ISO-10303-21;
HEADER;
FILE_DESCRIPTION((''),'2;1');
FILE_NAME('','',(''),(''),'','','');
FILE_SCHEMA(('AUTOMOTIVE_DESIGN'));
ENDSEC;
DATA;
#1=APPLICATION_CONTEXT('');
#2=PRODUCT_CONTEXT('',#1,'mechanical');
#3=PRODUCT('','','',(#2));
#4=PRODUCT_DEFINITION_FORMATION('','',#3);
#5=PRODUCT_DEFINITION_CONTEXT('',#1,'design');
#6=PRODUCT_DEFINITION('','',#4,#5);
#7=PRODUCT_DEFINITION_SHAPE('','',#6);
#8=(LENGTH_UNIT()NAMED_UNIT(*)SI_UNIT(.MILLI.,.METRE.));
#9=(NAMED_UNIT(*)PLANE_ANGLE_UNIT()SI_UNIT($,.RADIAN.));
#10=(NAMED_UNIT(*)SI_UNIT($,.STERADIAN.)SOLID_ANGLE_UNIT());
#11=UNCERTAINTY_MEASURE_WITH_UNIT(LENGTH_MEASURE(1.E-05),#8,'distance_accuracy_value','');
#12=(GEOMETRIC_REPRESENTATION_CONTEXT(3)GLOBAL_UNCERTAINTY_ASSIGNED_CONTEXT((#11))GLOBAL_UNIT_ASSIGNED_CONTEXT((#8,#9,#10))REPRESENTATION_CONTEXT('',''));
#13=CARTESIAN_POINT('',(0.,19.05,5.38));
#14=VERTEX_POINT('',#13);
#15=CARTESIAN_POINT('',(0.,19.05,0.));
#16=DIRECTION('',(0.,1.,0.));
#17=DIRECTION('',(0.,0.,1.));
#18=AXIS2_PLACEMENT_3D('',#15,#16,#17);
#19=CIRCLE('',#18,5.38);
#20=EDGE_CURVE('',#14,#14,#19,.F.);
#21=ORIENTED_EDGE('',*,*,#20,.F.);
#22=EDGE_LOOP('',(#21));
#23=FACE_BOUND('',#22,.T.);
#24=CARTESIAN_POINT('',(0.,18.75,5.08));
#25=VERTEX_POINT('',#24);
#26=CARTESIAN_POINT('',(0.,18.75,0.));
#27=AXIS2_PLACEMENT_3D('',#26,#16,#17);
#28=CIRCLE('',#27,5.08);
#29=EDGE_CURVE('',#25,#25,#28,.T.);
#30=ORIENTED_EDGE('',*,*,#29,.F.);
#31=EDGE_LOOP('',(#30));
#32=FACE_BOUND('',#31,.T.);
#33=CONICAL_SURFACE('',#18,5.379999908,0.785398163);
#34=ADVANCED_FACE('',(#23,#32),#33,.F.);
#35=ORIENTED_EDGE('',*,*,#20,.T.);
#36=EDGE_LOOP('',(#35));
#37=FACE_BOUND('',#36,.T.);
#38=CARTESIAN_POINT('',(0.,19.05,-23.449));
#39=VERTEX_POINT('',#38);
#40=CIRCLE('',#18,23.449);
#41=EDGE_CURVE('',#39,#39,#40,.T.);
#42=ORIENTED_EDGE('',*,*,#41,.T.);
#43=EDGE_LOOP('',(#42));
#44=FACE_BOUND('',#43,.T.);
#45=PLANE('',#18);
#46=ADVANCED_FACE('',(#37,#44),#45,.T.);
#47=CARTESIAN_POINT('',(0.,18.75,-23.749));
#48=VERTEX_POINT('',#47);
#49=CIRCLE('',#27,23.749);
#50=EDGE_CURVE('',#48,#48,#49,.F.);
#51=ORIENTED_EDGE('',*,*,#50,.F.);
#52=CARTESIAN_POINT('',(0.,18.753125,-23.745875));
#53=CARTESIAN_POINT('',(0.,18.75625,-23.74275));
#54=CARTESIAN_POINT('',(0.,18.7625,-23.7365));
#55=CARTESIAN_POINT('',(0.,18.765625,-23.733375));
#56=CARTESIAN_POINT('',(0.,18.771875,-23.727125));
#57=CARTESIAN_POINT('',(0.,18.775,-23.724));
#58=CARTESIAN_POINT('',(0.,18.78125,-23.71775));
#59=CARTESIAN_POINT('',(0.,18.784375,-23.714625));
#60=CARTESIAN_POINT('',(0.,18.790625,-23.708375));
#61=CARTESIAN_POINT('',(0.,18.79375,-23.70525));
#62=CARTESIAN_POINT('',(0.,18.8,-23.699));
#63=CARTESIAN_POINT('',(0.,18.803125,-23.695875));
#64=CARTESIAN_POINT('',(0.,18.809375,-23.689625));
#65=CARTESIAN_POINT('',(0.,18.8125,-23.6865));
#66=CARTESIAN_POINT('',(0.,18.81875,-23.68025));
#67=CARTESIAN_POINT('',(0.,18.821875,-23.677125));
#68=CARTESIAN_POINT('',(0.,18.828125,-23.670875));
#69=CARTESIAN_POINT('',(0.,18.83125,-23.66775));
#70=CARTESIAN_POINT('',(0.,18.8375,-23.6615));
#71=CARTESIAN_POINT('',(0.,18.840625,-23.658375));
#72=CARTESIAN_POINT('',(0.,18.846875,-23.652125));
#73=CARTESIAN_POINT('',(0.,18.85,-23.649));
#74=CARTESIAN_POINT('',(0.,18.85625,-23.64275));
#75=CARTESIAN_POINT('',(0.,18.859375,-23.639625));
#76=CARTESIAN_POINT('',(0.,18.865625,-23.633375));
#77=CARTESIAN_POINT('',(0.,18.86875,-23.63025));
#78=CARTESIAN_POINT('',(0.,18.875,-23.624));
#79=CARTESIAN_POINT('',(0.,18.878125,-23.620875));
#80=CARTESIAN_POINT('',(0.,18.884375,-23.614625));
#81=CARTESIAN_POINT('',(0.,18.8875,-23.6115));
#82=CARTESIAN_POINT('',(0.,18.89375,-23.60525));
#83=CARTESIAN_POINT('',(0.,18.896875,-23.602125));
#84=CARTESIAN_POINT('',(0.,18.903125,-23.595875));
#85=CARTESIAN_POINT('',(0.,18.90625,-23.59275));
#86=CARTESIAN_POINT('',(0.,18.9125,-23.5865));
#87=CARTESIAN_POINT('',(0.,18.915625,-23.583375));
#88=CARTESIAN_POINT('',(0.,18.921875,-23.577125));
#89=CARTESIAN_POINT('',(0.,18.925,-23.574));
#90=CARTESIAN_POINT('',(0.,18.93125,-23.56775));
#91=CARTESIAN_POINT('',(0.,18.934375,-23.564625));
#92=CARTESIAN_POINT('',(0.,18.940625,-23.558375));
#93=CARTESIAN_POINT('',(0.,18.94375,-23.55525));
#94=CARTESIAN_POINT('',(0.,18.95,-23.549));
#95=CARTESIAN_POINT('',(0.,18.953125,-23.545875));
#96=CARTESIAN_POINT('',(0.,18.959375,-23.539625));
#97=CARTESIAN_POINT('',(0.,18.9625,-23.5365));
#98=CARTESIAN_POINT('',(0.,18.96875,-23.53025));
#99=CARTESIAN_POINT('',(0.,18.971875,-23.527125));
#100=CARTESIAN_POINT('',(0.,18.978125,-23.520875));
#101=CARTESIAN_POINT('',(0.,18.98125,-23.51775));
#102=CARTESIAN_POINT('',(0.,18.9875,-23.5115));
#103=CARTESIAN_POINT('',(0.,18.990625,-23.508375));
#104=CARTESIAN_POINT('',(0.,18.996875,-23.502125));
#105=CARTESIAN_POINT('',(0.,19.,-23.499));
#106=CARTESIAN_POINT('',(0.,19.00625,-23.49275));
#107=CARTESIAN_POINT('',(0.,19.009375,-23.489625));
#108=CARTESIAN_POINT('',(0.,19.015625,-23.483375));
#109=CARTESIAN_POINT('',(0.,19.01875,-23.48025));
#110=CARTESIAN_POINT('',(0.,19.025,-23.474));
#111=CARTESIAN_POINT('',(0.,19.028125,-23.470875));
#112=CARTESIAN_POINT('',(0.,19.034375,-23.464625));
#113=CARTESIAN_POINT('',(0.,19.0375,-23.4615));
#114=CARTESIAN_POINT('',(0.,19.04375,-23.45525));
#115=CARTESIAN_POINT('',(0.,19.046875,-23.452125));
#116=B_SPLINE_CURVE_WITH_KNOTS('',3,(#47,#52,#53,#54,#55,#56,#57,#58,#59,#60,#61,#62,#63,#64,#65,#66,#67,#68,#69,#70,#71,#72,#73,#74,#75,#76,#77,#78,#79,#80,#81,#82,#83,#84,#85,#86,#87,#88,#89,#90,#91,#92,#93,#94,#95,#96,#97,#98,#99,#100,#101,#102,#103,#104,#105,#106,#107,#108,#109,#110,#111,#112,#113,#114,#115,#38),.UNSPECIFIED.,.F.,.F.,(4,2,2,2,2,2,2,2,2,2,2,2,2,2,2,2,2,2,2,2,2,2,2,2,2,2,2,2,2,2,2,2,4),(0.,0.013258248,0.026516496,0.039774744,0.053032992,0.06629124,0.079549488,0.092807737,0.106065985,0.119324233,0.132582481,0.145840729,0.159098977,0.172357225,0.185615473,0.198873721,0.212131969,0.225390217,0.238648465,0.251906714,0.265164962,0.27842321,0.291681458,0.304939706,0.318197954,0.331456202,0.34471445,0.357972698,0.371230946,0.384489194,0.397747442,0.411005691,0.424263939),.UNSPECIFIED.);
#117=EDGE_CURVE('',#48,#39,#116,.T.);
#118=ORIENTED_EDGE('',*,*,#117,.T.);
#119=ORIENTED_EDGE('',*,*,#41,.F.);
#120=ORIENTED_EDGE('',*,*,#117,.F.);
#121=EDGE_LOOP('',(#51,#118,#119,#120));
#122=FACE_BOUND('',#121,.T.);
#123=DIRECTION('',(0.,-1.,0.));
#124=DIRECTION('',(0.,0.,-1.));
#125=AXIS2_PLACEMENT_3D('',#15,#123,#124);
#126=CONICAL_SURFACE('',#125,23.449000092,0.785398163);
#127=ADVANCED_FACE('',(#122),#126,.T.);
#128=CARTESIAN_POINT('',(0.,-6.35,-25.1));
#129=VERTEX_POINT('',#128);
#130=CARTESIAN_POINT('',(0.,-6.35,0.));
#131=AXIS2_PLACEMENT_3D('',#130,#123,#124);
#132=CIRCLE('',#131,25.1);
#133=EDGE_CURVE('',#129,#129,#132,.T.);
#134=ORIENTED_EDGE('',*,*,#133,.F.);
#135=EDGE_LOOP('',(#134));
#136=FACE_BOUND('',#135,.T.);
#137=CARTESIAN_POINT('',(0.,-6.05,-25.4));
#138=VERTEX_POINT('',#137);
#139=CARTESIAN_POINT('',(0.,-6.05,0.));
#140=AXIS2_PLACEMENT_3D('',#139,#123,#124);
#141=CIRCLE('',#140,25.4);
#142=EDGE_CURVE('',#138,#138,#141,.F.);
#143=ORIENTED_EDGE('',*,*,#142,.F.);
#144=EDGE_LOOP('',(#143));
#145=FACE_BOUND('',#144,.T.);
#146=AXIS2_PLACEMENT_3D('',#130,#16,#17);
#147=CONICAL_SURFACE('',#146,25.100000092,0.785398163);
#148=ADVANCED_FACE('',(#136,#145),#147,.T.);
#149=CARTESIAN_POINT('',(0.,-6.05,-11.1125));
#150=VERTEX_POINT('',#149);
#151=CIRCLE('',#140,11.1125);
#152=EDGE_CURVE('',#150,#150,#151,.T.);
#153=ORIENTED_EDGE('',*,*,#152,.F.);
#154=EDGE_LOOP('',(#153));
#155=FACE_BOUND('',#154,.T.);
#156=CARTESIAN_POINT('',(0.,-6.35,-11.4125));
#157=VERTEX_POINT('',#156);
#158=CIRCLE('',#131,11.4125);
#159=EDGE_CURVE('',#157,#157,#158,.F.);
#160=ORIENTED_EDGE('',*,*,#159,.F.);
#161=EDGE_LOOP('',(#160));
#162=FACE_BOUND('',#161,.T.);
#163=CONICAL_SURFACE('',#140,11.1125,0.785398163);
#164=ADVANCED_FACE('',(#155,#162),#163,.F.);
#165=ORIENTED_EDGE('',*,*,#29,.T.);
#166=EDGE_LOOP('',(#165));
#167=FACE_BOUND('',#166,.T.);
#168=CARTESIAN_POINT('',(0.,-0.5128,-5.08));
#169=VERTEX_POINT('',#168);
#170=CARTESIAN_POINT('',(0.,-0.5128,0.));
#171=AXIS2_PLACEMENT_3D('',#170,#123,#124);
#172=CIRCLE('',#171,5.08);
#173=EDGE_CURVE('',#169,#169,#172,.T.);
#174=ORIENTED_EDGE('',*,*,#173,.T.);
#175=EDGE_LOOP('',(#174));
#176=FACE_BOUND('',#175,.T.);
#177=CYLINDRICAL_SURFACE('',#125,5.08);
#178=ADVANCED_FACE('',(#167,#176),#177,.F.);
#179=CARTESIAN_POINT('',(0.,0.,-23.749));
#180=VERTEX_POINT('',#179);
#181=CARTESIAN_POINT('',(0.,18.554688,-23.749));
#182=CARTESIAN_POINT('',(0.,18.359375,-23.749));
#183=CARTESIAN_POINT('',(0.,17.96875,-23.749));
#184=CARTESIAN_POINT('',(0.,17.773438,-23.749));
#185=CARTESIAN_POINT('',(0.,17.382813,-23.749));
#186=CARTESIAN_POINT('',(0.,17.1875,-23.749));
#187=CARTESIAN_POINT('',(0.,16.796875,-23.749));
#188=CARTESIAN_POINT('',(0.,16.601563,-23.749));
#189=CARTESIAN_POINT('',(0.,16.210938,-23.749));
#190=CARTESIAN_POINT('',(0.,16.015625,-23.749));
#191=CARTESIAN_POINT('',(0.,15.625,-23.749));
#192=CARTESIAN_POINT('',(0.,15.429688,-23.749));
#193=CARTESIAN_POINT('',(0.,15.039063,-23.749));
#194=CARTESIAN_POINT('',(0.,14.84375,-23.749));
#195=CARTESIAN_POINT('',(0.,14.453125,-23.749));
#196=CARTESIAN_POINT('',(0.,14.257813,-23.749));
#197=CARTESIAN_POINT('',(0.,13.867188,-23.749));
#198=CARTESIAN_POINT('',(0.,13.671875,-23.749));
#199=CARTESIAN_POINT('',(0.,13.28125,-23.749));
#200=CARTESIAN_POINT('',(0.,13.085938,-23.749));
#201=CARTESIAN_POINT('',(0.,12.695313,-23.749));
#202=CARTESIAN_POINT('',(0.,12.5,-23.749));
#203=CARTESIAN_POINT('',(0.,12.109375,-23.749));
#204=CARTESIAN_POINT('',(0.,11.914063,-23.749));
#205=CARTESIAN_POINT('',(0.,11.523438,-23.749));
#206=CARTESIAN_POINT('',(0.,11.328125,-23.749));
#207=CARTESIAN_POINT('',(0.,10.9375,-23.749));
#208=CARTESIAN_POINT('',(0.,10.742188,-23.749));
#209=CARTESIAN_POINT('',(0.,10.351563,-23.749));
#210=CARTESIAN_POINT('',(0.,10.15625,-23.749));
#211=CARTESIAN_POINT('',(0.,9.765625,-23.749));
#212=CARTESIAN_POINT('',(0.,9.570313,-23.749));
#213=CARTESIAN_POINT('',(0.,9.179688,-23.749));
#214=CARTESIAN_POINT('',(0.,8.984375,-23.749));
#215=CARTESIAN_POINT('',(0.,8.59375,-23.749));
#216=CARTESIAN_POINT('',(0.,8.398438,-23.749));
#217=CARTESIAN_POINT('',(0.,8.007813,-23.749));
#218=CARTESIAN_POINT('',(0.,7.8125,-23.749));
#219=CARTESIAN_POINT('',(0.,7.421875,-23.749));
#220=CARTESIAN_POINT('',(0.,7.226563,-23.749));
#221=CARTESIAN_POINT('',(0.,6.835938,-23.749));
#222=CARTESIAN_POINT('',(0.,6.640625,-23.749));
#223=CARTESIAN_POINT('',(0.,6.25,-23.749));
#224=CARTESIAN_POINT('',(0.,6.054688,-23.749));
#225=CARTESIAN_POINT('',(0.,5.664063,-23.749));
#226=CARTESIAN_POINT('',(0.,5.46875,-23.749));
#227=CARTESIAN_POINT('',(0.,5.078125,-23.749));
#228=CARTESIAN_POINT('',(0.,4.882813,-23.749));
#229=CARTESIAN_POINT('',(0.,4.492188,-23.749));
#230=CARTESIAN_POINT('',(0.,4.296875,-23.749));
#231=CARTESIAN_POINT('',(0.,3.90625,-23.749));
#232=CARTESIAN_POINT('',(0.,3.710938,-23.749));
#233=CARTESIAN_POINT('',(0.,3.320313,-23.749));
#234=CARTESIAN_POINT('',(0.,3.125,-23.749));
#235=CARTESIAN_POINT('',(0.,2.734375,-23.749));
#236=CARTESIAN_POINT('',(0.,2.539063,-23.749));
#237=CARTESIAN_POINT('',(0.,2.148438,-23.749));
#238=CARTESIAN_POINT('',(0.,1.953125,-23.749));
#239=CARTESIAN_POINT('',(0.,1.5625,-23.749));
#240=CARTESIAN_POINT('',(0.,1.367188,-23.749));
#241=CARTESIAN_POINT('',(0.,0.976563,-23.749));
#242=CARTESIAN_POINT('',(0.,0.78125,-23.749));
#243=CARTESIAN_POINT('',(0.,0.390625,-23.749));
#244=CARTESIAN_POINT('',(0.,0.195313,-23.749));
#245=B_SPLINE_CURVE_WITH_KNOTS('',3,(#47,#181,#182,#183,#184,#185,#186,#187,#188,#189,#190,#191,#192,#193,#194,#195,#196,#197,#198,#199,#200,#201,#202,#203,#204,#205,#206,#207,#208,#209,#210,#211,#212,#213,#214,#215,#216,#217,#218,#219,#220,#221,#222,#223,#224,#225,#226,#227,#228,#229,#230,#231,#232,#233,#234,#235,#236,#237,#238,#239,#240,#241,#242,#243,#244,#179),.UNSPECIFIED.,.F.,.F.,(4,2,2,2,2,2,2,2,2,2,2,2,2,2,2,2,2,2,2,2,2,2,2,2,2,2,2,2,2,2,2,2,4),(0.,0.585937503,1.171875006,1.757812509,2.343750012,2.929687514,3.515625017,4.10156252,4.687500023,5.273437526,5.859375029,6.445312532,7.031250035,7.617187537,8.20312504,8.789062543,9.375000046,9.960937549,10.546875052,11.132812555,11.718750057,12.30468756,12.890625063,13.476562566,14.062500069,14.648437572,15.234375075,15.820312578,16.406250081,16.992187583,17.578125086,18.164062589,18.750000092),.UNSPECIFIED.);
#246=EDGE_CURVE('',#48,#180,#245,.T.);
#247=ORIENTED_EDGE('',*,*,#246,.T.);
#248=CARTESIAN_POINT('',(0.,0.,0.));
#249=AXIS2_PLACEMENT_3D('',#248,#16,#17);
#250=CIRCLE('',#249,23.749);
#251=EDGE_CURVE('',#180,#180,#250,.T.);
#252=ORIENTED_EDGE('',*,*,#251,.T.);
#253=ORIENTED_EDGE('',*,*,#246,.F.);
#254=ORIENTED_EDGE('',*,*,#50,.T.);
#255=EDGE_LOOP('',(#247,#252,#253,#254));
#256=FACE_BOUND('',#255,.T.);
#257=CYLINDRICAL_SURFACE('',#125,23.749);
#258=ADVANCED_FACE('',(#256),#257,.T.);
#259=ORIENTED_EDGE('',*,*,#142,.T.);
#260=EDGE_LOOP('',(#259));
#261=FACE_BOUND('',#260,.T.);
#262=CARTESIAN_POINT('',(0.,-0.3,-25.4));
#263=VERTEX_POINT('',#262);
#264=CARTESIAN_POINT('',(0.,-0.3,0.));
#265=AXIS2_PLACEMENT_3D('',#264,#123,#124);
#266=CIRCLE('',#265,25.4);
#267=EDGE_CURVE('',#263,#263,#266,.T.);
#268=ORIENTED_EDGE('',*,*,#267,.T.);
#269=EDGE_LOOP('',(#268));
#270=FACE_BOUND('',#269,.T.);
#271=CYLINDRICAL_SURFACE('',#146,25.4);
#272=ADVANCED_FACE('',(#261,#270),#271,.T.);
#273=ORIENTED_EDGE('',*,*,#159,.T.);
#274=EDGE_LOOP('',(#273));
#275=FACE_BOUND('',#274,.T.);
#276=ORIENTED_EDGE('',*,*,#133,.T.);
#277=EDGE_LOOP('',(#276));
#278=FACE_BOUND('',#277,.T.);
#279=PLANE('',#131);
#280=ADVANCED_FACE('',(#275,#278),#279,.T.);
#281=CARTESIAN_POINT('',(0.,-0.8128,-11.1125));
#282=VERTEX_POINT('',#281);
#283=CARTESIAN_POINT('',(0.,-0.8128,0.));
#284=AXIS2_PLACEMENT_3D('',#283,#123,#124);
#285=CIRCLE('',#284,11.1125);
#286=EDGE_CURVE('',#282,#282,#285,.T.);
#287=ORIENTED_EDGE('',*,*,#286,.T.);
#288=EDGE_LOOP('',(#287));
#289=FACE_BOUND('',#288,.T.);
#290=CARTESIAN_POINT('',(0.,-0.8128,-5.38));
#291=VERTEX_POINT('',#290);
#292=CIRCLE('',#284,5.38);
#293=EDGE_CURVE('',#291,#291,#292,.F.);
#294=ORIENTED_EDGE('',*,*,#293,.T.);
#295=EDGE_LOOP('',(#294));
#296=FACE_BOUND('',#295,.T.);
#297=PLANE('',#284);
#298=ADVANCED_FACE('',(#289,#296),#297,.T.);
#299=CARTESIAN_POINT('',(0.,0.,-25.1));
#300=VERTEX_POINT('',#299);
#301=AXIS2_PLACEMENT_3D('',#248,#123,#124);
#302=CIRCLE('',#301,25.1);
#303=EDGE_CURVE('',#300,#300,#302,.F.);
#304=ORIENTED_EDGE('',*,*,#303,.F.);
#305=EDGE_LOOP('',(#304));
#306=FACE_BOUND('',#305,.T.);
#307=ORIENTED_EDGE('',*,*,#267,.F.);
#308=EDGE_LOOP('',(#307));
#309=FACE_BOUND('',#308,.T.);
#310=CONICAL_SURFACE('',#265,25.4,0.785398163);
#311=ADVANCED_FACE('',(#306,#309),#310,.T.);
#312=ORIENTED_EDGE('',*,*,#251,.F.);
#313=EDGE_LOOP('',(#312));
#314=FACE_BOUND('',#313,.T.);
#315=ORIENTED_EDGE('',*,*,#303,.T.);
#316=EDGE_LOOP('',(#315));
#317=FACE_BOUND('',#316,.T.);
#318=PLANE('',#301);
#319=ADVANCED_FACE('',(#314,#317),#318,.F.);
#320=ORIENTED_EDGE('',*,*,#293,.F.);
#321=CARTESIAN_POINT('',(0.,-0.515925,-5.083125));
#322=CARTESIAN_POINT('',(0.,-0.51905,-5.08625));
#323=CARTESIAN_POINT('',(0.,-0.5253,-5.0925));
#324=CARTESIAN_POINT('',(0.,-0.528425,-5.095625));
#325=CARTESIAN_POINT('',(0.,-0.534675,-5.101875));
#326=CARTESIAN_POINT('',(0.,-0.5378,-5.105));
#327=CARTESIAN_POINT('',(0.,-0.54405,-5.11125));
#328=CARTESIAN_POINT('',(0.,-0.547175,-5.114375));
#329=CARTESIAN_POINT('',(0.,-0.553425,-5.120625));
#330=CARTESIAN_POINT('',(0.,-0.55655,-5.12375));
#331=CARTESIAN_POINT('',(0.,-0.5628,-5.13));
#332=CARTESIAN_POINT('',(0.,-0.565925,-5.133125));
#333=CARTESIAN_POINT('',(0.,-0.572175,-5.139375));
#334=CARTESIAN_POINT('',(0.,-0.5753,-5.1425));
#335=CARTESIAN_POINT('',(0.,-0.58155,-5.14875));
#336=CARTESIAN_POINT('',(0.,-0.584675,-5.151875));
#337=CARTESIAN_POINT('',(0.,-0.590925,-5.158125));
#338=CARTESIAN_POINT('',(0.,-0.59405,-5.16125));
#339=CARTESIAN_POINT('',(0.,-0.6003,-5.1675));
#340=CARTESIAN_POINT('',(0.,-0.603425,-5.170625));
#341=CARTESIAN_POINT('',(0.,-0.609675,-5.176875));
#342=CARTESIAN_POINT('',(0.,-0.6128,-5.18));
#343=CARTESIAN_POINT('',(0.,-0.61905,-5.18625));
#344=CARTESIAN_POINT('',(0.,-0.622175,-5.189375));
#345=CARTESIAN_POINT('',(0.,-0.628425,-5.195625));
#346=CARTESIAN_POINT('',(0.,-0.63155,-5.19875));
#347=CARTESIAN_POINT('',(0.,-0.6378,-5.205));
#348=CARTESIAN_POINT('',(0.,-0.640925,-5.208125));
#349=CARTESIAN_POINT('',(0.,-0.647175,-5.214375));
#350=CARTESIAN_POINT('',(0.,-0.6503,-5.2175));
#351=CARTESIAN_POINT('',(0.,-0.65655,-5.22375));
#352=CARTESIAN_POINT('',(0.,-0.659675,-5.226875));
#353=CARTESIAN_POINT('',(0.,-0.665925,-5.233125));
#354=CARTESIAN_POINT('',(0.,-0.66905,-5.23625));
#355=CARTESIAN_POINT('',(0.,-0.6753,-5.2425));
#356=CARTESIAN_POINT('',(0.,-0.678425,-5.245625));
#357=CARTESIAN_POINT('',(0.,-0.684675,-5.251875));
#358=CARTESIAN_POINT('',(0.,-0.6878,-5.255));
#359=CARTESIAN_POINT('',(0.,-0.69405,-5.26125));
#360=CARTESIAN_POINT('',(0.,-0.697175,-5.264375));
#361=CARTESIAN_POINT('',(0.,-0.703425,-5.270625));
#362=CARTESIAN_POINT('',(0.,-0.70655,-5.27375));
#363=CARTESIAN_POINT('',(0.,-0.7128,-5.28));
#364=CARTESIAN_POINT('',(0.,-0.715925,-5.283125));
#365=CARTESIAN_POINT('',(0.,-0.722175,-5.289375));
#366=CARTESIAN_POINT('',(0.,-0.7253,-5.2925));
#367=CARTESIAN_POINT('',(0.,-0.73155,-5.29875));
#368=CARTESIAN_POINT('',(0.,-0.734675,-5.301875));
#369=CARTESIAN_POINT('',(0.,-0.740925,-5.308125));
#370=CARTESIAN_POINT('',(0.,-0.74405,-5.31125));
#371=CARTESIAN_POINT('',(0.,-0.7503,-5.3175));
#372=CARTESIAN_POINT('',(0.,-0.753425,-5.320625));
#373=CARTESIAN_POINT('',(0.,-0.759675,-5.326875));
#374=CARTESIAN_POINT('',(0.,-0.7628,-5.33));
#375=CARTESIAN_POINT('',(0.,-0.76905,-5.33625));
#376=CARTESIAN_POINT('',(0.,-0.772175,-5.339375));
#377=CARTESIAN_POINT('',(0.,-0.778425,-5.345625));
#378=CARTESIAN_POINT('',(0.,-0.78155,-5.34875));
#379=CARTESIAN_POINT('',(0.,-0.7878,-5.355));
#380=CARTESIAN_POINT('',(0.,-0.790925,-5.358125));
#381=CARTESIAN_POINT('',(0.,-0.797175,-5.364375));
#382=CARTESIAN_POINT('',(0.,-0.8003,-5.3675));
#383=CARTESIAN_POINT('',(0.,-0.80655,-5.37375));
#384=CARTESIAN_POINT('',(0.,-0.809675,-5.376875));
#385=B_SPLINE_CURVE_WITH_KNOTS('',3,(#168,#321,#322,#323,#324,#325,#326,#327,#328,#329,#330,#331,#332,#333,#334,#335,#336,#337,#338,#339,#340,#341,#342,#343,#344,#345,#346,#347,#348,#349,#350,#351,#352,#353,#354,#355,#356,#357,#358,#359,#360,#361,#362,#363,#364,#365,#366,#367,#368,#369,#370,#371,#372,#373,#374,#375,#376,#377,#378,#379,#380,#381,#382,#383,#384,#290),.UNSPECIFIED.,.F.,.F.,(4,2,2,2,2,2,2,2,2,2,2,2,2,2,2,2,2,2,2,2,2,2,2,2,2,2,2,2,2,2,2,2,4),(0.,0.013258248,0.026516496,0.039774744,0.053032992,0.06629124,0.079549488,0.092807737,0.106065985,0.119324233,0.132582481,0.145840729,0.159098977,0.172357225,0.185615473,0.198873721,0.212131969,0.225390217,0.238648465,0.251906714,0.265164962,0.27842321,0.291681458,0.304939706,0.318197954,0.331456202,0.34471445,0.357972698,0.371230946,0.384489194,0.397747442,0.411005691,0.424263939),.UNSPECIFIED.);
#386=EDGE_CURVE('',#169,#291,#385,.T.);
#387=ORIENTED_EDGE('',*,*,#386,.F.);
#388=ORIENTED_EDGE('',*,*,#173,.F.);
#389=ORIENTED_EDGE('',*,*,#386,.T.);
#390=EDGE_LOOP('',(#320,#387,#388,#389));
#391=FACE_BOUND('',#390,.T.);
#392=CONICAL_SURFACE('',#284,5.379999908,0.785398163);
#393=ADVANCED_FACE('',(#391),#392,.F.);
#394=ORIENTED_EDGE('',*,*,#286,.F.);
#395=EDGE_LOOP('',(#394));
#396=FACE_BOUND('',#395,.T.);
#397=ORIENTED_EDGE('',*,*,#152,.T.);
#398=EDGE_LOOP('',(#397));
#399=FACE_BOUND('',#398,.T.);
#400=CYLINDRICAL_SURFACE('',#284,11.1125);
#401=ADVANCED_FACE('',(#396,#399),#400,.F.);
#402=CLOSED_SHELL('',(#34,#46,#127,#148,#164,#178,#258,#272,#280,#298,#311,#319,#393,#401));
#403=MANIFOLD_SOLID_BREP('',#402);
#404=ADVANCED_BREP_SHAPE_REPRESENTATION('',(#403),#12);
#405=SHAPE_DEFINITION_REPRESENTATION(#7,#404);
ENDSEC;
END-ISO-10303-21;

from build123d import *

# Parameters (mm, degrees)
SKETCH1_R           = 23.749
BOSS_EXTRUDE1_DEPTH = 19.05
SKETCH2_R           = 25.4
BOSS_EXTRUDE2_DEPTH = 6.35
SKETCH3_R           = 5.08
CUT_EXTRUDE1_DEPTH  = 44.994090512
SKETCH4_R           = 11.1125
CUT_EXTRUDE2_DEPTH  = 5.5372
CHAMFER1_SIZE       = 0.299999908


with BuildPart() as part:
    # Sketch1 → Boss-Extrude1 (new body)
    with BuildSketch(Plane(origin=(0, 0, 0), x_dir=(1, 0, 0), z_dir=(0, 1, 0))):
        with Locations(Location((0, 0, 0), (0, 0, 90))):
            Circle(SKETCH1_R)
    extrude(amount=BOSS_EXTRUDE1_DEPTH)

    # Sketch2 → Boss-Extrude2 (add)
    with BuildSketch(Plane.XZ):
        with Locations(Location((0, 0, 0), (0, 0, 270))):
            Circle(SKETCH2_R)
    extrude(amount=BOSS_EXTRUDE2_DEPTH)

    # Sketch3 → Cut-Extrude1 (cut, through all)
    with BuildSketch(Plane.XZ.offset(6.35)):
        with Locations(Location((0, 0, 0), (0, 0, 270))):
            Circle(SKETCH3_R)
    extrude(amount=-CUT_EXTRUDE1_DEPTH, mode=Mode.SUBTRACT)

    # Sketch4 → Cut-Extrude2 (cut)
    with BuildSketch(Plane.XZ.offset(6.35)):
        with Locations(Location((0, 0, 0), (0, 0, 270))):
            Circle(SKETCH4_R)
    extrude(amount=-CUT_EXTRUDE2_DEPTH, mode=Mode.SUBTRACT)

    # Chamfer1
    chamfer1_edges = [part.edges().sort_by_distance(p)[0] for p in [
        (0, 19.05, 5.08),
        (0, -6.35, 11.1125),
        (0, -0.8128, 5.08),
        (0, 19.05, 23.749),
        (0, 0, 25.4),
        (0, -6.35, 25.4),
    ]]
    chamfer(chamfer1_edges, length=CHAMFER1_SIZE)


solid = part.part
